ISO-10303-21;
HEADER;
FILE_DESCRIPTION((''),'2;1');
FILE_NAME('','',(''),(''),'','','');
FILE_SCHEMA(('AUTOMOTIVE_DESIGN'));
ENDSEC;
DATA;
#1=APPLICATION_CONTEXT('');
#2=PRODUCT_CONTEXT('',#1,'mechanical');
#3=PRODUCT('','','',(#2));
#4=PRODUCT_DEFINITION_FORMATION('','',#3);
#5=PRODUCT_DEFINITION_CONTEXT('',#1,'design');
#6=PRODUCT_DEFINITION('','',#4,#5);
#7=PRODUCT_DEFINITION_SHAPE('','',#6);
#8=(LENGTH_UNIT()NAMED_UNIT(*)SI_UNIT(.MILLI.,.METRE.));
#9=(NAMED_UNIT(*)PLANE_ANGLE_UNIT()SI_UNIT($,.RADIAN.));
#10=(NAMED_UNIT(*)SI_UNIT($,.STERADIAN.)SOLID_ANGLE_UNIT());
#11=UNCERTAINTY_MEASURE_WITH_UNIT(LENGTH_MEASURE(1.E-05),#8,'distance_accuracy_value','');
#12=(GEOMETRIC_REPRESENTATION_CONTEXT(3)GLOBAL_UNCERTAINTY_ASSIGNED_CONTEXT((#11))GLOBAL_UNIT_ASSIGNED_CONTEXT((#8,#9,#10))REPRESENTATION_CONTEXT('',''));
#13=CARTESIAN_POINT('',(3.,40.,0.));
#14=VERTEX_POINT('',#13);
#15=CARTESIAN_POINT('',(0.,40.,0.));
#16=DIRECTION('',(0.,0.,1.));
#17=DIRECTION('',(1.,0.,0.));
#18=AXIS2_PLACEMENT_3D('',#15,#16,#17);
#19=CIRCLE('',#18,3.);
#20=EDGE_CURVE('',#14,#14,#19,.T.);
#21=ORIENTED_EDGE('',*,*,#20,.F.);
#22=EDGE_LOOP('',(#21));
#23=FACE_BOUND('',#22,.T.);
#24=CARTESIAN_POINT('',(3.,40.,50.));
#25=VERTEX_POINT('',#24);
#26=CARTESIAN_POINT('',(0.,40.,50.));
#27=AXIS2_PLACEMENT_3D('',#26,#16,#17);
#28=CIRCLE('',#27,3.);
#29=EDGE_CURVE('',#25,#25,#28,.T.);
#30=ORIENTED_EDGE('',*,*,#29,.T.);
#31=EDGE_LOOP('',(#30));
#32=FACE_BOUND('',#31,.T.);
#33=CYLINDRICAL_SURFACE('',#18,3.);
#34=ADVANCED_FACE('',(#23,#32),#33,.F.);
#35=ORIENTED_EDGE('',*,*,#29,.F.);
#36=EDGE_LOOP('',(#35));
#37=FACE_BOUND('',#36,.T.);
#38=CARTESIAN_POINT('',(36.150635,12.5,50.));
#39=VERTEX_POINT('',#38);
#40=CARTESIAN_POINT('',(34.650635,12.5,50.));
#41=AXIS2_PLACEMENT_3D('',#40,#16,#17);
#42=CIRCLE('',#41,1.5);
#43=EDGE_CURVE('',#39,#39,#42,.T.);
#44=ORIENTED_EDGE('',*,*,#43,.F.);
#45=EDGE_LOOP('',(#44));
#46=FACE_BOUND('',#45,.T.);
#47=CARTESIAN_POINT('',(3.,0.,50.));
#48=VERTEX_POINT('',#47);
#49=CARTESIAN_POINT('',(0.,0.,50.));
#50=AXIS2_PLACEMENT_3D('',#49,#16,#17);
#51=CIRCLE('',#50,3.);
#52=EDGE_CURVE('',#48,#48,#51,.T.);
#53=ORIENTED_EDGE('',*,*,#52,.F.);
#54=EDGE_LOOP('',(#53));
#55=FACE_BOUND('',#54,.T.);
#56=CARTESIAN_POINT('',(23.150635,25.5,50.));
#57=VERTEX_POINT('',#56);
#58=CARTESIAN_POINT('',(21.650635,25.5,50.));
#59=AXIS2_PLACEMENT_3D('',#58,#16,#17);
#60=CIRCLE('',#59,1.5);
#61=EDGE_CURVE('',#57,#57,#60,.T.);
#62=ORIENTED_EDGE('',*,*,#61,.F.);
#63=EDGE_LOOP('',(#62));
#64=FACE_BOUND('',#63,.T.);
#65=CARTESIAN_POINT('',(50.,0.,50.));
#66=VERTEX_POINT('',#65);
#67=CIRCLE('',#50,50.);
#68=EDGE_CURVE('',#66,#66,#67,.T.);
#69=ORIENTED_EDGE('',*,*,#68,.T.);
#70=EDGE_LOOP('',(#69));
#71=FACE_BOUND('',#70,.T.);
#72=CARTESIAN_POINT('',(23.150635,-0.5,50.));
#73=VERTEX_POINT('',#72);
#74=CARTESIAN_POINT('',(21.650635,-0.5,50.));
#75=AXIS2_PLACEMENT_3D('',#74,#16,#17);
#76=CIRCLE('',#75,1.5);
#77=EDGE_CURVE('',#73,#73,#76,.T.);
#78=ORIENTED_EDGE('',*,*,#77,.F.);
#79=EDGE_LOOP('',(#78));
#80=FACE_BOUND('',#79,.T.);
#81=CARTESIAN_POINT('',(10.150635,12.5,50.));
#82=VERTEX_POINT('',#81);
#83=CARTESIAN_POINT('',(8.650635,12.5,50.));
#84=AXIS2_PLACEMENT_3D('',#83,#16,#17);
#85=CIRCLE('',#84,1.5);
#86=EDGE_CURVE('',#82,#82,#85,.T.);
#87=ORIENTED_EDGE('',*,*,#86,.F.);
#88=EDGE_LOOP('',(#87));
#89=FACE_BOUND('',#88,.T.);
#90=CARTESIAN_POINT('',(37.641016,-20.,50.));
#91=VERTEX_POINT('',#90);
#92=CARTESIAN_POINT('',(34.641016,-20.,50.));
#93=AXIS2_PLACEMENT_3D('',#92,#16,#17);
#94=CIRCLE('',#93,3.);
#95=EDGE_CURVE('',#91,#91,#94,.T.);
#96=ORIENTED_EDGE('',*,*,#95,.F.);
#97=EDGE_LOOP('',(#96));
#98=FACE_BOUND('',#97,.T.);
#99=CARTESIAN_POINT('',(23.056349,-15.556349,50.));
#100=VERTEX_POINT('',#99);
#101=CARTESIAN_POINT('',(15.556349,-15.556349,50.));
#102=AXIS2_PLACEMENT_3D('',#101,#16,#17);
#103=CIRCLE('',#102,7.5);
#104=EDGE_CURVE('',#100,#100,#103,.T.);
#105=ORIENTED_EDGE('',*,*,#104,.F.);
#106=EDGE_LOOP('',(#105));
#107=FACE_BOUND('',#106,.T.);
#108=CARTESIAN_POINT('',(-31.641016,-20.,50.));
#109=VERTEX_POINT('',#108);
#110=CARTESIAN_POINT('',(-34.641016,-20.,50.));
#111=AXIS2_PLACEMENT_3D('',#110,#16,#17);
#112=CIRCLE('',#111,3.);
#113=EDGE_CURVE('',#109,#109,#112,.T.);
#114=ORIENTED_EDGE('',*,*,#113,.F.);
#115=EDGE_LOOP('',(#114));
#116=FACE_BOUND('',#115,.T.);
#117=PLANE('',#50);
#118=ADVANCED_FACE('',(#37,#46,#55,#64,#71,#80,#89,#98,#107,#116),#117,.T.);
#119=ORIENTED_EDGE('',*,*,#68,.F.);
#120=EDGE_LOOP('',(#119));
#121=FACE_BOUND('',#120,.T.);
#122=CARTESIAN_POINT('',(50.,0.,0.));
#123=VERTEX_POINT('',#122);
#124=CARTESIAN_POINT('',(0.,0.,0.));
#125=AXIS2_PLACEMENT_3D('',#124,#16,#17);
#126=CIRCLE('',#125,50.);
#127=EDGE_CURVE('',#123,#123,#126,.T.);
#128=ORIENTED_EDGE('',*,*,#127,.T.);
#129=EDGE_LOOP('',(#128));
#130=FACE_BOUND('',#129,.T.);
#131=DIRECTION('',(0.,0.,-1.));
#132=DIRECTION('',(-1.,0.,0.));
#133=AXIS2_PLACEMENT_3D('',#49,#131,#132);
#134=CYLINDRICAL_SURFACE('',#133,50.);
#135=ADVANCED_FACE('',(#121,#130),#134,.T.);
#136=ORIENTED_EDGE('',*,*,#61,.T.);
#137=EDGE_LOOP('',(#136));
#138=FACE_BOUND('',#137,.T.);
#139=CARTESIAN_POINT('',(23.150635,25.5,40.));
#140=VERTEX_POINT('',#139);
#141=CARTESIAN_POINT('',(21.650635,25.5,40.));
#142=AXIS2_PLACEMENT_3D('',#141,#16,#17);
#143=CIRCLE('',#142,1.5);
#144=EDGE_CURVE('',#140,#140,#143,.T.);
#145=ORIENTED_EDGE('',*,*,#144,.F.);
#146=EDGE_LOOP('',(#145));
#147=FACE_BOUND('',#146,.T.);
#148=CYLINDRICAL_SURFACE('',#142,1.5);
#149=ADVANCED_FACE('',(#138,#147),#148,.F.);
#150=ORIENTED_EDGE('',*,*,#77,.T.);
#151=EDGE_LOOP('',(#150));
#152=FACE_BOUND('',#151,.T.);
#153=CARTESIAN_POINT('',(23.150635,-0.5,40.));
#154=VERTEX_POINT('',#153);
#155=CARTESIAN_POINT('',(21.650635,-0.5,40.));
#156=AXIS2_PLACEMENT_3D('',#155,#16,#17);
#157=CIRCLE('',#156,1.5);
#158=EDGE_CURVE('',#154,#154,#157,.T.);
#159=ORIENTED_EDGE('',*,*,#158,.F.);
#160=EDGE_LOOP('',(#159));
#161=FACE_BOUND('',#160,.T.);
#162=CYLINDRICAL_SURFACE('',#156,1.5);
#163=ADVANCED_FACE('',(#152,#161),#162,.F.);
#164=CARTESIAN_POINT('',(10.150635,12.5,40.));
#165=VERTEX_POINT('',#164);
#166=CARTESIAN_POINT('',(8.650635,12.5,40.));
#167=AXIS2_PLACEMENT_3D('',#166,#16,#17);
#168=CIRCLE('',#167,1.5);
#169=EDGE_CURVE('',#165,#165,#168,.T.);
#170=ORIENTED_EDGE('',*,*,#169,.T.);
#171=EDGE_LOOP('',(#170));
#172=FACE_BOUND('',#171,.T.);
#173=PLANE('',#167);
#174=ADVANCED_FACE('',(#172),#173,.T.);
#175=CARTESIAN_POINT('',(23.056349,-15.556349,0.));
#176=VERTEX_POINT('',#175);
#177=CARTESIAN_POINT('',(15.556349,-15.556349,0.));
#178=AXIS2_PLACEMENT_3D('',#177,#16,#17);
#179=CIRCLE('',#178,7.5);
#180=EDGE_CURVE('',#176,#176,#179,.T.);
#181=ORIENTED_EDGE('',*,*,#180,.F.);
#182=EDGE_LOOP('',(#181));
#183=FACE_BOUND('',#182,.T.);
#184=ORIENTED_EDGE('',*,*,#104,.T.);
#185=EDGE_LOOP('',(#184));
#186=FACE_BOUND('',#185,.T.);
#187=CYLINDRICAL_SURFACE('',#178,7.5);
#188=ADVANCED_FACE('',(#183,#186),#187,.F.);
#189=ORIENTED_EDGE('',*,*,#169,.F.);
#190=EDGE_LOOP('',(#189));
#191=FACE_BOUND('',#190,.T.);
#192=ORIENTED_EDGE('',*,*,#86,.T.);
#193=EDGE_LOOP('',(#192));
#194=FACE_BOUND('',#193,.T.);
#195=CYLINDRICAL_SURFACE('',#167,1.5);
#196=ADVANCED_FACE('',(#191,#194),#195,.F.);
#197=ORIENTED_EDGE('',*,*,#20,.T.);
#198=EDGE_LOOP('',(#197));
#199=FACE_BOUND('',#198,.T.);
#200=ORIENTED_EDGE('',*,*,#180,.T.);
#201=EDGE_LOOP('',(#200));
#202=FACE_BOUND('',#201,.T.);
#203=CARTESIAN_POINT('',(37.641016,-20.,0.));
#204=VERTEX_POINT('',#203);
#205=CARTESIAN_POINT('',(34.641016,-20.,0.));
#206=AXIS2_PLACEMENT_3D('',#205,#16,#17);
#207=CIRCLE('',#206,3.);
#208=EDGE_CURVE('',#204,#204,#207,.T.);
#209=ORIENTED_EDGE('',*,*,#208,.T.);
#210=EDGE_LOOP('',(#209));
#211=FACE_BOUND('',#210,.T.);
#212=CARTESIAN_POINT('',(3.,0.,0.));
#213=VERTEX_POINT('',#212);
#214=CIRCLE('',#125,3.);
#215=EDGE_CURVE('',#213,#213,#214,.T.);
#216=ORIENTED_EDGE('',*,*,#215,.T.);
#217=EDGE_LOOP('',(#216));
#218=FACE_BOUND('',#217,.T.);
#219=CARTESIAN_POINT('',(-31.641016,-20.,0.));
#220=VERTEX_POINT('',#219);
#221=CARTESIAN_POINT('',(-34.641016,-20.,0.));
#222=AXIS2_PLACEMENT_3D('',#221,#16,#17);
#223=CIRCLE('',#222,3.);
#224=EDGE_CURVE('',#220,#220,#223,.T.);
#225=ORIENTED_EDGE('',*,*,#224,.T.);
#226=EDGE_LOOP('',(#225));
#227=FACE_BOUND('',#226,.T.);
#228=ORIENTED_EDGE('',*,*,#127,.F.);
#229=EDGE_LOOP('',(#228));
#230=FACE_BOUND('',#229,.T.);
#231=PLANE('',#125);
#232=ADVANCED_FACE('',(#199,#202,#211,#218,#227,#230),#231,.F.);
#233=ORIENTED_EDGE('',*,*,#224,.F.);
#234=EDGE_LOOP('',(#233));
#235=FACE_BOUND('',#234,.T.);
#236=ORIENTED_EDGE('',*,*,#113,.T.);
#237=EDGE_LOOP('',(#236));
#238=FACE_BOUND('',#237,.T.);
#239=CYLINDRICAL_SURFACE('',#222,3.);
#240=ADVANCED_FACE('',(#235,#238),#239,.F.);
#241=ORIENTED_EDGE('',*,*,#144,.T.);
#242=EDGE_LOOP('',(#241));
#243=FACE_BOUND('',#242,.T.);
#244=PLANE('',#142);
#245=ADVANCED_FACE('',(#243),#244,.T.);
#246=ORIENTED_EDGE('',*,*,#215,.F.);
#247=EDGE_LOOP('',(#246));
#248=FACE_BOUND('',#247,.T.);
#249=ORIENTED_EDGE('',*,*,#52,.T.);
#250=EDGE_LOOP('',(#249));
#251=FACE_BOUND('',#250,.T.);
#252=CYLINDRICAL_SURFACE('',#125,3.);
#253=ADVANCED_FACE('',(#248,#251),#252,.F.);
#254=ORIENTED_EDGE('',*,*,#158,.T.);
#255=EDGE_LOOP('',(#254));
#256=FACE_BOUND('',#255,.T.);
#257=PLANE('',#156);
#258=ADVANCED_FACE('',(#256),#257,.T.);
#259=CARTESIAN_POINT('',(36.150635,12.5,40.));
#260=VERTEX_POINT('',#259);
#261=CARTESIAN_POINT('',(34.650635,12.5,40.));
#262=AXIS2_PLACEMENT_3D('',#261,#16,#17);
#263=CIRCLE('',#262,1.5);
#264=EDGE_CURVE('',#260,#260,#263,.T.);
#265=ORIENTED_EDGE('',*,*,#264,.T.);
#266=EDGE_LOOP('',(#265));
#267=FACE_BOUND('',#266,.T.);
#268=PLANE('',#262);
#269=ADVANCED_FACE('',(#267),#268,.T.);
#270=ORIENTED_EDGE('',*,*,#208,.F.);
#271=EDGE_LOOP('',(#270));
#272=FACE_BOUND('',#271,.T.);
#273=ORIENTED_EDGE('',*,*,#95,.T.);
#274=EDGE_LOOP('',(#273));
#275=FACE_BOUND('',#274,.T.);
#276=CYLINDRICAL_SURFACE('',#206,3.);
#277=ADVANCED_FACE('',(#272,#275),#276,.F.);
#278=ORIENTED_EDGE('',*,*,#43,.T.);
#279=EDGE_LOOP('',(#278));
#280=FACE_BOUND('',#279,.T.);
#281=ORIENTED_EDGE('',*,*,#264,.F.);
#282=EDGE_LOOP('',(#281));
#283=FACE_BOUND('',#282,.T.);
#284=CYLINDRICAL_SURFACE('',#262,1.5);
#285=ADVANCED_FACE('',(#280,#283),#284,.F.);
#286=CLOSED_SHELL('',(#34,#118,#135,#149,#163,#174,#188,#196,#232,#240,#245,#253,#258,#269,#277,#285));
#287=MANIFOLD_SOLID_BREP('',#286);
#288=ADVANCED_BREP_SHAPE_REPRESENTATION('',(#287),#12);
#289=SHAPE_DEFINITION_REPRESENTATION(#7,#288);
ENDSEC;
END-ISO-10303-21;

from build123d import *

# Parameters (mm, degrees)
SKETCH1_R           = 50
BOSS_EXTRUDE1_DEPTH = 50
SKETCH2_R           = 3
CUT_EXTRUDE1_DEPTH  = 87.602540378
SKETCH6_R           = 1.5
CUT_EXTRUDE2_DEPTH  = 10
SKETCH7_R           = 7.5
CUT_EXTRUDE3_DEPTH  = 87.602540378


with BuildPart() as part:
    # Sketch1 → Boss-Extrude1 (new body)
    with BuildSketch(Plane.XY):
        Circle(SKETCH1_R)
    extrude(amount=BOSS_EXTRUDE1_DEPTH)

    # Sketch2 → Cut-Extrude1 (cut, through all)
    with BuildSketch(Plane.XY.offset(50)):
        with Locations((0, 40)):
            Circle(SKETCH2_R)
        with Locations((34.641016151, -20)):
            Circle(SKETCH2_R)
        with Locations((-34.641016151, -20)):
            Circle(SKETCH2_R)
        Circle(SKETCH2_R)
    extrude(amount=-CUT_EXTRUDE1_DEPTH, mode=Mode.SUBTRACT)

    # Sketch6 → Cut-Extrude2 (cut)
    with BuildSketch(Plane.XY.offset(50)):
        with Locations((21.650635095, 25.5)):
            Circle(SKETCH6_R)
        with Locations((34.650635095, 12.5)):
            Circle(SKETCH6_R)
        with Locations((21.650635095, -0.5)):
            Circle(SKETCH6_R)
        with Locations((8.650635095, 12.5)):
            Circle(SKETCH6_R)
    extrude(amount=-CUT_EXTRUDE2_DEPTH, mode=Mode.SUBTRACT)

    # Sketch7 → Cut-Extrude3 (cut, through all)
    with BuildSketch(Plane.XY.offset(50)):
        with Locations((15.556349186, -15.556349186)):
            Circle(SKETCH7_R)
    extrude(amount=-CUT_EXTRUDE3_DEPTH, mode=Mode.SUBTRACT)


solid = part.part
